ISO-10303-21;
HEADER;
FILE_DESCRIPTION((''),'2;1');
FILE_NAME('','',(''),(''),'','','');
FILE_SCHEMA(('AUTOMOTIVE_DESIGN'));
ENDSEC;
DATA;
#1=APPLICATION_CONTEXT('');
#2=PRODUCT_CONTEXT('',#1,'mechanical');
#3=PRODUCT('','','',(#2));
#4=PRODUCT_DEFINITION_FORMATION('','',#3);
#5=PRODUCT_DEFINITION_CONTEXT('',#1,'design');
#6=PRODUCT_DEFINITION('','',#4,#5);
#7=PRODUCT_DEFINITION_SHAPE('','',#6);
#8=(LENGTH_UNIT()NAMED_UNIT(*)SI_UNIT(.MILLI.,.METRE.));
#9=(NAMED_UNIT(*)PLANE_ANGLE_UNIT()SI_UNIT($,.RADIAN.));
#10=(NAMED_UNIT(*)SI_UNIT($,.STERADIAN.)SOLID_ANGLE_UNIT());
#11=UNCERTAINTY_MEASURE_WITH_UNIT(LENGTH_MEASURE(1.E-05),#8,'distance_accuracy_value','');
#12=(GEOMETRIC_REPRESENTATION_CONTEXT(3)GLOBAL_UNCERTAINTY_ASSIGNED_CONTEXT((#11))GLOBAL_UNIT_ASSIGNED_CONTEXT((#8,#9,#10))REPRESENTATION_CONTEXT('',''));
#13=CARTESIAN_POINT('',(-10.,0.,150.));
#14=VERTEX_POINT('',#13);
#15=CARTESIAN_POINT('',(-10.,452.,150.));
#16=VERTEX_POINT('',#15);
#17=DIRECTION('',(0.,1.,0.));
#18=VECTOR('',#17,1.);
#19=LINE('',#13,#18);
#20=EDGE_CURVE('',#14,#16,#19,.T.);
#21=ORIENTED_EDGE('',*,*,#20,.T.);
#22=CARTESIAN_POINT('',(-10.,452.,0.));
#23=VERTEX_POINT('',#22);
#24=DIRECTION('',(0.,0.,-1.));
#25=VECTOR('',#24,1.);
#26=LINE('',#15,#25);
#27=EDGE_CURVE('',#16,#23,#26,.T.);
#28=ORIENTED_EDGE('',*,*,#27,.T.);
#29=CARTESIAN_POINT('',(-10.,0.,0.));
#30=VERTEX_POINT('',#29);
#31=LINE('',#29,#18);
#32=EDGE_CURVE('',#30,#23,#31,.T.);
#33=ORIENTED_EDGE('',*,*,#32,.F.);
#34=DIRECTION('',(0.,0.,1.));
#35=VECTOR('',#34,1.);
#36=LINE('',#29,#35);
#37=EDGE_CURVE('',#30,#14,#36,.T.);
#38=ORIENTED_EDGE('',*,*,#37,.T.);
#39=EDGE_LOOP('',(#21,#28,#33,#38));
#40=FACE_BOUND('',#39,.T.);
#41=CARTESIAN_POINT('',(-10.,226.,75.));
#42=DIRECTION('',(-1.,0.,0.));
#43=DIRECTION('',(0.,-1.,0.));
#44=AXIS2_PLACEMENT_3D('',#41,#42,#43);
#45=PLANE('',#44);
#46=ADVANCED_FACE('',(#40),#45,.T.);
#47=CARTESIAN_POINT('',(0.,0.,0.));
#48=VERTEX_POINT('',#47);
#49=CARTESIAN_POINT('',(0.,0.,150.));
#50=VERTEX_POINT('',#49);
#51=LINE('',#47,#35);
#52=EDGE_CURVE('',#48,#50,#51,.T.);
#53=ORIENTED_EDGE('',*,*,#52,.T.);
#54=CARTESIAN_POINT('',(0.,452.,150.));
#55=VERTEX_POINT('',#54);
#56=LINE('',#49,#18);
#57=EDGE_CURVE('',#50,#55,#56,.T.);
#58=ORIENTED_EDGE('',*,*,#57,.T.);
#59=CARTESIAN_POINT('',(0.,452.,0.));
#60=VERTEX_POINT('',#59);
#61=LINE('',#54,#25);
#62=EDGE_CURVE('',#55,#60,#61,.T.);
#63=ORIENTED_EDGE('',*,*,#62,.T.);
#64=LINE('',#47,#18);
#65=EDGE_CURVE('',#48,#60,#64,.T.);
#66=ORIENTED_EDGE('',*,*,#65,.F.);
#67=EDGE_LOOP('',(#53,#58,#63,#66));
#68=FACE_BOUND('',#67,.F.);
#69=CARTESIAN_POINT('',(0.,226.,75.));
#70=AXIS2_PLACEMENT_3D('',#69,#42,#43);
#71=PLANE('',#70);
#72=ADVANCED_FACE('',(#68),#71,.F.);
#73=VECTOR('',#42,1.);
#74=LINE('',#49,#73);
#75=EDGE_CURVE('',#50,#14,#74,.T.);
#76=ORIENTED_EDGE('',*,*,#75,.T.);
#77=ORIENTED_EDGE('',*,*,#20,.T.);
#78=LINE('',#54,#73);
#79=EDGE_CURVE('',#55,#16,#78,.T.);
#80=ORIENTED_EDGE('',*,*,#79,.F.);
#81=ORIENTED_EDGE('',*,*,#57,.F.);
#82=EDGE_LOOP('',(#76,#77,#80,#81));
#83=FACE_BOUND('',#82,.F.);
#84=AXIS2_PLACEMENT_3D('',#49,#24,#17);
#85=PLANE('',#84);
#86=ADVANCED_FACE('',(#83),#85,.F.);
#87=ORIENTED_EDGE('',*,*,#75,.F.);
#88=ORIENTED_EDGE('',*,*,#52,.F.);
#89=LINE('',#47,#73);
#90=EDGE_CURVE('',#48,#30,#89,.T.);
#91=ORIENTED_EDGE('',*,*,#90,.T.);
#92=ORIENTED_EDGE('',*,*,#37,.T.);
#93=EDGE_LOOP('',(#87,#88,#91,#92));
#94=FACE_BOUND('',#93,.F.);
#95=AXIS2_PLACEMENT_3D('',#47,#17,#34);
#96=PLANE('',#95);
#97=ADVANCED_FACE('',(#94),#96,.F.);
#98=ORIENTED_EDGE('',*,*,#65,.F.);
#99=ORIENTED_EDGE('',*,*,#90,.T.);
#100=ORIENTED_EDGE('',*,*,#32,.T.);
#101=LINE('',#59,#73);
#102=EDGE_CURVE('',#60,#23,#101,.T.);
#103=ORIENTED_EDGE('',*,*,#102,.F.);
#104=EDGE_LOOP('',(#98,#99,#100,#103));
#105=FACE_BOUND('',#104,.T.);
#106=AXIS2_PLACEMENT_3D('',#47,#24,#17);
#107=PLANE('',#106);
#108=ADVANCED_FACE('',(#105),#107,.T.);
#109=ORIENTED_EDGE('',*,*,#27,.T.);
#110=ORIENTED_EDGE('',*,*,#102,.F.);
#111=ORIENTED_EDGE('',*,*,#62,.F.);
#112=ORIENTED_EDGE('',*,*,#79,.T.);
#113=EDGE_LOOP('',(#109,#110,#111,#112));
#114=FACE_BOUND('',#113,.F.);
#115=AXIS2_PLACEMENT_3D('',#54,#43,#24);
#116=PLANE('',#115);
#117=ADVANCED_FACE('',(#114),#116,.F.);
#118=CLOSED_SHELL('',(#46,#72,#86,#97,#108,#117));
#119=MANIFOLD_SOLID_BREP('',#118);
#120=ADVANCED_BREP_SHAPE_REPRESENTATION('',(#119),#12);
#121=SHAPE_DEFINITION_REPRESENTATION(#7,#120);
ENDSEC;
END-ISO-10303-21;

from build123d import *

# Parameters (mm, degrees)
PAD_DEPTH = 10


with BuildPart() as part:
    # Sketch → Pad (new body)
    with BuildSketch(Plane.YZ):
        Polygon((0, 0), (0, 150), (452, 150), (452, 0), (226, 0), align=None)
    extrude(amount=-PAD_DEPTH)


solid = part.part
